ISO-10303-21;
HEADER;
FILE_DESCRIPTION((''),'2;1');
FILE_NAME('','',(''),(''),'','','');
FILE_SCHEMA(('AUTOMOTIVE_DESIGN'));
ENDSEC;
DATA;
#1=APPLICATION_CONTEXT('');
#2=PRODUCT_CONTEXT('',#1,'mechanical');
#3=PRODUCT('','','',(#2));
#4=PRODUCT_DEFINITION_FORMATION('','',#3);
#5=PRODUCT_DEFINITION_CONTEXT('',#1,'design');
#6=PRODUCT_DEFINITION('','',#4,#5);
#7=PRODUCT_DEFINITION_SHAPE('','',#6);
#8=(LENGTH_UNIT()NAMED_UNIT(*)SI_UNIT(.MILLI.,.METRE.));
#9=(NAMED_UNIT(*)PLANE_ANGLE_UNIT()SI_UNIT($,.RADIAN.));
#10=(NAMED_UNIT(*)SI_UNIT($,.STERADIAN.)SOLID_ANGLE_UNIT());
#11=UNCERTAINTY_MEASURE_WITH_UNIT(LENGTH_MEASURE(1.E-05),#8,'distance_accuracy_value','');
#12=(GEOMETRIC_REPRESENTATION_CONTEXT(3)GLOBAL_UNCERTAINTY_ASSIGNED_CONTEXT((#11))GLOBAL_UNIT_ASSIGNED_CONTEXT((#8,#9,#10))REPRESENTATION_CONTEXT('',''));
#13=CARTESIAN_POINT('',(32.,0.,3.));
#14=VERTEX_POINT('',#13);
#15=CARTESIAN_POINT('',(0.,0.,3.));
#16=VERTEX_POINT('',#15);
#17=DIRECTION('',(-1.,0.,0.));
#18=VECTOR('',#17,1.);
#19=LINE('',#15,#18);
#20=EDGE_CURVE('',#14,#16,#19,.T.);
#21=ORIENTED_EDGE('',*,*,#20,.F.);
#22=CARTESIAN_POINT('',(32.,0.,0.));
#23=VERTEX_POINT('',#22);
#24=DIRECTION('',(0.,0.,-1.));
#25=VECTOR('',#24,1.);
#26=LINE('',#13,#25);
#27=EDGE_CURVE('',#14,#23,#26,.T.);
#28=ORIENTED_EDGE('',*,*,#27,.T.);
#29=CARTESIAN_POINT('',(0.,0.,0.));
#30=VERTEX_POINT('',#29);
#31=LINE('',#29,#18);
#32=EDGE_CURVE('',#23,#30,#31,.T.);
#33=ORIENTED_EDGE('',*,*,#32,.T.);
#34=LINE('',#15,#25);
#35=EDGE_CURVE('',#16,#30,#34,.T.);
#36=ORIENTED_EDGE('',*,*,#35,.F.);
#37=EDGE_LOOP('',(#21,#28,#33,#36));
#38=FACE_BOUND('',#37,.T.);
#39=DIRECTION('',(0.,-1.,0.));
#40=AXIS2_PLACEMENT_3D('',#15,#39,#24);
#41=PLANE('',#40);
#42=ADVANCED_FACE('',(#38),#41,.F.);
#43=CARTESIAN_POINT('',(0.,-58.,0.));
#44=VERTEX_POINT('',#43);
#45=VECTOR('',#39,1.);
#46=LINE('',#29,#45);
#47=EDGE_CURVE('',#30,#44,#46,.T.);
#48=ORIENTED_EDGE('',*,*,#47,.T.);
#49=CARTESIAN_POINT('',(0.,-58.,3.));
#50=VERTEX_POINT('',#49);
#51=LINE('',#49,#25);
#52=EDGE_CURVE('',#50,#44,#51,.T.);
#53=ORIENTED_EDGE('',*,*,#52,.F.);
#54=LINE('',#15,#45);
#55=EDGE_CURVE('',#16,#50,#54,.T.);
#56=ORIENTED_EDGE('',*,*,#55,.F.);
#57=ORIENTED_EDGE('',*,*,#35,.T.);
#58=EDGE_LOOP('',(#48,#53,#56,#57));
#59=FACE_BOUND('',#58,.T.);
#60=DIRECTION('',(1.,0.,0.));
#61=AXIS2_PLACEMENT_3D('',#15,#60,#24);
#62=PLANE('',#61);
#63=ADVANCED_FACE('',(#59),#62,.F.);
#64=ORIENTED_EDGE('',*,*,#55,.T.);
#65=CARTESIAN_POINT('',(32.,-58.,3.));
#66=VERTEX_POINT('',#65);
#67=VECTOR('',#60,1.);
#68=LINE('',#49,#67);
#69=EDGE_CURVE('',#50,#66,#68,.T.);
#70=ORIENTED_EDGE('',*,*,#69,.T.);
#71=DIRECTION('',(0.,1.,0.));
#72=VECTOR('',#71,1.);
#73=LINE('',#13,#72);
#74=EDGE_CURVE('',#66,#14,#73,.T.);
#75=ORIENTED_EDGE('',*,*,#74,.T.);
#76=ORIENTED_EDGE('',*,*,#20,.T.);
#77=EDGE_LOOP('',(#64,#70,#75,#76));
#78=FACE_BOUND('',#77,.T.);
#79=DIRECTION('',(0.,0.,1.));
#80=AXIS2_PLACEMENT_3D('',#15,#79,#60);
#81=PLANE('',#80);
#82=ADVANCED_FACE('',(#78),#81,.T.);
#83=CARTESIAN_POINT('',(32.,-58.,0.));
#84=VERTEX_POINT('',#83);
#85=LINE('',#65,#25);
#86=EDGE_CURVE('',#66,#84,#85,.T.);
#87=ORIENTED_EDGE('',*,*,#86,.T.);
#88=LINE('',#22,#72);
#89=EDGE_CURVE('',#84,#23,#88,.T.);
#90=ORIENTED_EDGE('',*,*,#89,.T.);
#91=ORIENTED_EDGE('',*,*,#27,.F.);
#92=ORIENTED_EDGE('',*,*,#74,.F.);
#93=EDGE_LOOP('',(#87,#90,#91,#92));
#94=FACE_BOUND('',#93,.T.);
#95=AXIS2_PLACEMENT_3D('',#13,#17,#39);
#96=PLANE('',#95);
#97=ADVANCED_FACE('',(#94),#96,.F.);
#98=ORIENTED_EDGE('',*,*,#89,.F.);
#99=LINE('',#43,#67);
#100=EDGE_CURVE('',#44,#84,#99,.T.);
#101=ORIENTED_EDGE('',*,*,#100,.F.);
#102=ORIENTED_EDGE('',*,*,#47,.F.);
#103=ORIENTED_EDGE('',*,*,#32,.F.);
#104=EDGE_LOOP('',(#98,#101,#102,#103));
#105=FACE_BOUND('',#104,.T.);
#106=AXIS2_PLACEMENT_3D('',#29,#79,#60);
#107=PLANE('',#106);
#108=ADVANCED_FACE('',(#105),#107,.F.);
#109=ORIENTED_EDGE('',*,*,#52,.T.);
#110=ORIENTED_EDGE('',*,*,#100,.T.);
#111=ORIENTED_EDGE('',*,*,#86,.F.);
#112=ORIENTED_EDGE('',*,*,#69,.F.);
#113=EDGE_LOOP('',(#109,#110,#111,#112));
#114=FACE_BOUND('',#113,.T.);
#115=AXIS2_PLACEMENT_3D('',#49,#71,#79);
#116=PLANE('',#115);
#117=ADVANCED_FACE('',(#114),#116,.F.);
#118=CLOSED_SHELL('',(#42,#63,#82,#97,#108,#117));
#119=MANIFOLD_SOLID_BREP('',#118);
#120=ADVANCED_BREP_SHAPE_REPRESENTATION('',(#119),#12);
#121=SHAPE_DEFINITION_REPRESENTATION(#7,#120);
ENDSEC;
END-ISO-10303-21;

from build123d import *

# Parameters (mm, degrees)
ESQUISSE1_W        = 32
ESQUISSE1_H        = 58
BOSS_EXTRU_1_DEPTH = 3


with BuildPart() as part:
    # Esquisse1 → Boss.-Extru.1 (new body)
    with BuildSketch(Plane.XY):
        with Locations((16, -29)):
            Rectangle(ESQUISSE1_W, ESQUISSE1_H)
    extrude(amount=BOSS_EXTRU_1_DEPTH)


solid = part.part
